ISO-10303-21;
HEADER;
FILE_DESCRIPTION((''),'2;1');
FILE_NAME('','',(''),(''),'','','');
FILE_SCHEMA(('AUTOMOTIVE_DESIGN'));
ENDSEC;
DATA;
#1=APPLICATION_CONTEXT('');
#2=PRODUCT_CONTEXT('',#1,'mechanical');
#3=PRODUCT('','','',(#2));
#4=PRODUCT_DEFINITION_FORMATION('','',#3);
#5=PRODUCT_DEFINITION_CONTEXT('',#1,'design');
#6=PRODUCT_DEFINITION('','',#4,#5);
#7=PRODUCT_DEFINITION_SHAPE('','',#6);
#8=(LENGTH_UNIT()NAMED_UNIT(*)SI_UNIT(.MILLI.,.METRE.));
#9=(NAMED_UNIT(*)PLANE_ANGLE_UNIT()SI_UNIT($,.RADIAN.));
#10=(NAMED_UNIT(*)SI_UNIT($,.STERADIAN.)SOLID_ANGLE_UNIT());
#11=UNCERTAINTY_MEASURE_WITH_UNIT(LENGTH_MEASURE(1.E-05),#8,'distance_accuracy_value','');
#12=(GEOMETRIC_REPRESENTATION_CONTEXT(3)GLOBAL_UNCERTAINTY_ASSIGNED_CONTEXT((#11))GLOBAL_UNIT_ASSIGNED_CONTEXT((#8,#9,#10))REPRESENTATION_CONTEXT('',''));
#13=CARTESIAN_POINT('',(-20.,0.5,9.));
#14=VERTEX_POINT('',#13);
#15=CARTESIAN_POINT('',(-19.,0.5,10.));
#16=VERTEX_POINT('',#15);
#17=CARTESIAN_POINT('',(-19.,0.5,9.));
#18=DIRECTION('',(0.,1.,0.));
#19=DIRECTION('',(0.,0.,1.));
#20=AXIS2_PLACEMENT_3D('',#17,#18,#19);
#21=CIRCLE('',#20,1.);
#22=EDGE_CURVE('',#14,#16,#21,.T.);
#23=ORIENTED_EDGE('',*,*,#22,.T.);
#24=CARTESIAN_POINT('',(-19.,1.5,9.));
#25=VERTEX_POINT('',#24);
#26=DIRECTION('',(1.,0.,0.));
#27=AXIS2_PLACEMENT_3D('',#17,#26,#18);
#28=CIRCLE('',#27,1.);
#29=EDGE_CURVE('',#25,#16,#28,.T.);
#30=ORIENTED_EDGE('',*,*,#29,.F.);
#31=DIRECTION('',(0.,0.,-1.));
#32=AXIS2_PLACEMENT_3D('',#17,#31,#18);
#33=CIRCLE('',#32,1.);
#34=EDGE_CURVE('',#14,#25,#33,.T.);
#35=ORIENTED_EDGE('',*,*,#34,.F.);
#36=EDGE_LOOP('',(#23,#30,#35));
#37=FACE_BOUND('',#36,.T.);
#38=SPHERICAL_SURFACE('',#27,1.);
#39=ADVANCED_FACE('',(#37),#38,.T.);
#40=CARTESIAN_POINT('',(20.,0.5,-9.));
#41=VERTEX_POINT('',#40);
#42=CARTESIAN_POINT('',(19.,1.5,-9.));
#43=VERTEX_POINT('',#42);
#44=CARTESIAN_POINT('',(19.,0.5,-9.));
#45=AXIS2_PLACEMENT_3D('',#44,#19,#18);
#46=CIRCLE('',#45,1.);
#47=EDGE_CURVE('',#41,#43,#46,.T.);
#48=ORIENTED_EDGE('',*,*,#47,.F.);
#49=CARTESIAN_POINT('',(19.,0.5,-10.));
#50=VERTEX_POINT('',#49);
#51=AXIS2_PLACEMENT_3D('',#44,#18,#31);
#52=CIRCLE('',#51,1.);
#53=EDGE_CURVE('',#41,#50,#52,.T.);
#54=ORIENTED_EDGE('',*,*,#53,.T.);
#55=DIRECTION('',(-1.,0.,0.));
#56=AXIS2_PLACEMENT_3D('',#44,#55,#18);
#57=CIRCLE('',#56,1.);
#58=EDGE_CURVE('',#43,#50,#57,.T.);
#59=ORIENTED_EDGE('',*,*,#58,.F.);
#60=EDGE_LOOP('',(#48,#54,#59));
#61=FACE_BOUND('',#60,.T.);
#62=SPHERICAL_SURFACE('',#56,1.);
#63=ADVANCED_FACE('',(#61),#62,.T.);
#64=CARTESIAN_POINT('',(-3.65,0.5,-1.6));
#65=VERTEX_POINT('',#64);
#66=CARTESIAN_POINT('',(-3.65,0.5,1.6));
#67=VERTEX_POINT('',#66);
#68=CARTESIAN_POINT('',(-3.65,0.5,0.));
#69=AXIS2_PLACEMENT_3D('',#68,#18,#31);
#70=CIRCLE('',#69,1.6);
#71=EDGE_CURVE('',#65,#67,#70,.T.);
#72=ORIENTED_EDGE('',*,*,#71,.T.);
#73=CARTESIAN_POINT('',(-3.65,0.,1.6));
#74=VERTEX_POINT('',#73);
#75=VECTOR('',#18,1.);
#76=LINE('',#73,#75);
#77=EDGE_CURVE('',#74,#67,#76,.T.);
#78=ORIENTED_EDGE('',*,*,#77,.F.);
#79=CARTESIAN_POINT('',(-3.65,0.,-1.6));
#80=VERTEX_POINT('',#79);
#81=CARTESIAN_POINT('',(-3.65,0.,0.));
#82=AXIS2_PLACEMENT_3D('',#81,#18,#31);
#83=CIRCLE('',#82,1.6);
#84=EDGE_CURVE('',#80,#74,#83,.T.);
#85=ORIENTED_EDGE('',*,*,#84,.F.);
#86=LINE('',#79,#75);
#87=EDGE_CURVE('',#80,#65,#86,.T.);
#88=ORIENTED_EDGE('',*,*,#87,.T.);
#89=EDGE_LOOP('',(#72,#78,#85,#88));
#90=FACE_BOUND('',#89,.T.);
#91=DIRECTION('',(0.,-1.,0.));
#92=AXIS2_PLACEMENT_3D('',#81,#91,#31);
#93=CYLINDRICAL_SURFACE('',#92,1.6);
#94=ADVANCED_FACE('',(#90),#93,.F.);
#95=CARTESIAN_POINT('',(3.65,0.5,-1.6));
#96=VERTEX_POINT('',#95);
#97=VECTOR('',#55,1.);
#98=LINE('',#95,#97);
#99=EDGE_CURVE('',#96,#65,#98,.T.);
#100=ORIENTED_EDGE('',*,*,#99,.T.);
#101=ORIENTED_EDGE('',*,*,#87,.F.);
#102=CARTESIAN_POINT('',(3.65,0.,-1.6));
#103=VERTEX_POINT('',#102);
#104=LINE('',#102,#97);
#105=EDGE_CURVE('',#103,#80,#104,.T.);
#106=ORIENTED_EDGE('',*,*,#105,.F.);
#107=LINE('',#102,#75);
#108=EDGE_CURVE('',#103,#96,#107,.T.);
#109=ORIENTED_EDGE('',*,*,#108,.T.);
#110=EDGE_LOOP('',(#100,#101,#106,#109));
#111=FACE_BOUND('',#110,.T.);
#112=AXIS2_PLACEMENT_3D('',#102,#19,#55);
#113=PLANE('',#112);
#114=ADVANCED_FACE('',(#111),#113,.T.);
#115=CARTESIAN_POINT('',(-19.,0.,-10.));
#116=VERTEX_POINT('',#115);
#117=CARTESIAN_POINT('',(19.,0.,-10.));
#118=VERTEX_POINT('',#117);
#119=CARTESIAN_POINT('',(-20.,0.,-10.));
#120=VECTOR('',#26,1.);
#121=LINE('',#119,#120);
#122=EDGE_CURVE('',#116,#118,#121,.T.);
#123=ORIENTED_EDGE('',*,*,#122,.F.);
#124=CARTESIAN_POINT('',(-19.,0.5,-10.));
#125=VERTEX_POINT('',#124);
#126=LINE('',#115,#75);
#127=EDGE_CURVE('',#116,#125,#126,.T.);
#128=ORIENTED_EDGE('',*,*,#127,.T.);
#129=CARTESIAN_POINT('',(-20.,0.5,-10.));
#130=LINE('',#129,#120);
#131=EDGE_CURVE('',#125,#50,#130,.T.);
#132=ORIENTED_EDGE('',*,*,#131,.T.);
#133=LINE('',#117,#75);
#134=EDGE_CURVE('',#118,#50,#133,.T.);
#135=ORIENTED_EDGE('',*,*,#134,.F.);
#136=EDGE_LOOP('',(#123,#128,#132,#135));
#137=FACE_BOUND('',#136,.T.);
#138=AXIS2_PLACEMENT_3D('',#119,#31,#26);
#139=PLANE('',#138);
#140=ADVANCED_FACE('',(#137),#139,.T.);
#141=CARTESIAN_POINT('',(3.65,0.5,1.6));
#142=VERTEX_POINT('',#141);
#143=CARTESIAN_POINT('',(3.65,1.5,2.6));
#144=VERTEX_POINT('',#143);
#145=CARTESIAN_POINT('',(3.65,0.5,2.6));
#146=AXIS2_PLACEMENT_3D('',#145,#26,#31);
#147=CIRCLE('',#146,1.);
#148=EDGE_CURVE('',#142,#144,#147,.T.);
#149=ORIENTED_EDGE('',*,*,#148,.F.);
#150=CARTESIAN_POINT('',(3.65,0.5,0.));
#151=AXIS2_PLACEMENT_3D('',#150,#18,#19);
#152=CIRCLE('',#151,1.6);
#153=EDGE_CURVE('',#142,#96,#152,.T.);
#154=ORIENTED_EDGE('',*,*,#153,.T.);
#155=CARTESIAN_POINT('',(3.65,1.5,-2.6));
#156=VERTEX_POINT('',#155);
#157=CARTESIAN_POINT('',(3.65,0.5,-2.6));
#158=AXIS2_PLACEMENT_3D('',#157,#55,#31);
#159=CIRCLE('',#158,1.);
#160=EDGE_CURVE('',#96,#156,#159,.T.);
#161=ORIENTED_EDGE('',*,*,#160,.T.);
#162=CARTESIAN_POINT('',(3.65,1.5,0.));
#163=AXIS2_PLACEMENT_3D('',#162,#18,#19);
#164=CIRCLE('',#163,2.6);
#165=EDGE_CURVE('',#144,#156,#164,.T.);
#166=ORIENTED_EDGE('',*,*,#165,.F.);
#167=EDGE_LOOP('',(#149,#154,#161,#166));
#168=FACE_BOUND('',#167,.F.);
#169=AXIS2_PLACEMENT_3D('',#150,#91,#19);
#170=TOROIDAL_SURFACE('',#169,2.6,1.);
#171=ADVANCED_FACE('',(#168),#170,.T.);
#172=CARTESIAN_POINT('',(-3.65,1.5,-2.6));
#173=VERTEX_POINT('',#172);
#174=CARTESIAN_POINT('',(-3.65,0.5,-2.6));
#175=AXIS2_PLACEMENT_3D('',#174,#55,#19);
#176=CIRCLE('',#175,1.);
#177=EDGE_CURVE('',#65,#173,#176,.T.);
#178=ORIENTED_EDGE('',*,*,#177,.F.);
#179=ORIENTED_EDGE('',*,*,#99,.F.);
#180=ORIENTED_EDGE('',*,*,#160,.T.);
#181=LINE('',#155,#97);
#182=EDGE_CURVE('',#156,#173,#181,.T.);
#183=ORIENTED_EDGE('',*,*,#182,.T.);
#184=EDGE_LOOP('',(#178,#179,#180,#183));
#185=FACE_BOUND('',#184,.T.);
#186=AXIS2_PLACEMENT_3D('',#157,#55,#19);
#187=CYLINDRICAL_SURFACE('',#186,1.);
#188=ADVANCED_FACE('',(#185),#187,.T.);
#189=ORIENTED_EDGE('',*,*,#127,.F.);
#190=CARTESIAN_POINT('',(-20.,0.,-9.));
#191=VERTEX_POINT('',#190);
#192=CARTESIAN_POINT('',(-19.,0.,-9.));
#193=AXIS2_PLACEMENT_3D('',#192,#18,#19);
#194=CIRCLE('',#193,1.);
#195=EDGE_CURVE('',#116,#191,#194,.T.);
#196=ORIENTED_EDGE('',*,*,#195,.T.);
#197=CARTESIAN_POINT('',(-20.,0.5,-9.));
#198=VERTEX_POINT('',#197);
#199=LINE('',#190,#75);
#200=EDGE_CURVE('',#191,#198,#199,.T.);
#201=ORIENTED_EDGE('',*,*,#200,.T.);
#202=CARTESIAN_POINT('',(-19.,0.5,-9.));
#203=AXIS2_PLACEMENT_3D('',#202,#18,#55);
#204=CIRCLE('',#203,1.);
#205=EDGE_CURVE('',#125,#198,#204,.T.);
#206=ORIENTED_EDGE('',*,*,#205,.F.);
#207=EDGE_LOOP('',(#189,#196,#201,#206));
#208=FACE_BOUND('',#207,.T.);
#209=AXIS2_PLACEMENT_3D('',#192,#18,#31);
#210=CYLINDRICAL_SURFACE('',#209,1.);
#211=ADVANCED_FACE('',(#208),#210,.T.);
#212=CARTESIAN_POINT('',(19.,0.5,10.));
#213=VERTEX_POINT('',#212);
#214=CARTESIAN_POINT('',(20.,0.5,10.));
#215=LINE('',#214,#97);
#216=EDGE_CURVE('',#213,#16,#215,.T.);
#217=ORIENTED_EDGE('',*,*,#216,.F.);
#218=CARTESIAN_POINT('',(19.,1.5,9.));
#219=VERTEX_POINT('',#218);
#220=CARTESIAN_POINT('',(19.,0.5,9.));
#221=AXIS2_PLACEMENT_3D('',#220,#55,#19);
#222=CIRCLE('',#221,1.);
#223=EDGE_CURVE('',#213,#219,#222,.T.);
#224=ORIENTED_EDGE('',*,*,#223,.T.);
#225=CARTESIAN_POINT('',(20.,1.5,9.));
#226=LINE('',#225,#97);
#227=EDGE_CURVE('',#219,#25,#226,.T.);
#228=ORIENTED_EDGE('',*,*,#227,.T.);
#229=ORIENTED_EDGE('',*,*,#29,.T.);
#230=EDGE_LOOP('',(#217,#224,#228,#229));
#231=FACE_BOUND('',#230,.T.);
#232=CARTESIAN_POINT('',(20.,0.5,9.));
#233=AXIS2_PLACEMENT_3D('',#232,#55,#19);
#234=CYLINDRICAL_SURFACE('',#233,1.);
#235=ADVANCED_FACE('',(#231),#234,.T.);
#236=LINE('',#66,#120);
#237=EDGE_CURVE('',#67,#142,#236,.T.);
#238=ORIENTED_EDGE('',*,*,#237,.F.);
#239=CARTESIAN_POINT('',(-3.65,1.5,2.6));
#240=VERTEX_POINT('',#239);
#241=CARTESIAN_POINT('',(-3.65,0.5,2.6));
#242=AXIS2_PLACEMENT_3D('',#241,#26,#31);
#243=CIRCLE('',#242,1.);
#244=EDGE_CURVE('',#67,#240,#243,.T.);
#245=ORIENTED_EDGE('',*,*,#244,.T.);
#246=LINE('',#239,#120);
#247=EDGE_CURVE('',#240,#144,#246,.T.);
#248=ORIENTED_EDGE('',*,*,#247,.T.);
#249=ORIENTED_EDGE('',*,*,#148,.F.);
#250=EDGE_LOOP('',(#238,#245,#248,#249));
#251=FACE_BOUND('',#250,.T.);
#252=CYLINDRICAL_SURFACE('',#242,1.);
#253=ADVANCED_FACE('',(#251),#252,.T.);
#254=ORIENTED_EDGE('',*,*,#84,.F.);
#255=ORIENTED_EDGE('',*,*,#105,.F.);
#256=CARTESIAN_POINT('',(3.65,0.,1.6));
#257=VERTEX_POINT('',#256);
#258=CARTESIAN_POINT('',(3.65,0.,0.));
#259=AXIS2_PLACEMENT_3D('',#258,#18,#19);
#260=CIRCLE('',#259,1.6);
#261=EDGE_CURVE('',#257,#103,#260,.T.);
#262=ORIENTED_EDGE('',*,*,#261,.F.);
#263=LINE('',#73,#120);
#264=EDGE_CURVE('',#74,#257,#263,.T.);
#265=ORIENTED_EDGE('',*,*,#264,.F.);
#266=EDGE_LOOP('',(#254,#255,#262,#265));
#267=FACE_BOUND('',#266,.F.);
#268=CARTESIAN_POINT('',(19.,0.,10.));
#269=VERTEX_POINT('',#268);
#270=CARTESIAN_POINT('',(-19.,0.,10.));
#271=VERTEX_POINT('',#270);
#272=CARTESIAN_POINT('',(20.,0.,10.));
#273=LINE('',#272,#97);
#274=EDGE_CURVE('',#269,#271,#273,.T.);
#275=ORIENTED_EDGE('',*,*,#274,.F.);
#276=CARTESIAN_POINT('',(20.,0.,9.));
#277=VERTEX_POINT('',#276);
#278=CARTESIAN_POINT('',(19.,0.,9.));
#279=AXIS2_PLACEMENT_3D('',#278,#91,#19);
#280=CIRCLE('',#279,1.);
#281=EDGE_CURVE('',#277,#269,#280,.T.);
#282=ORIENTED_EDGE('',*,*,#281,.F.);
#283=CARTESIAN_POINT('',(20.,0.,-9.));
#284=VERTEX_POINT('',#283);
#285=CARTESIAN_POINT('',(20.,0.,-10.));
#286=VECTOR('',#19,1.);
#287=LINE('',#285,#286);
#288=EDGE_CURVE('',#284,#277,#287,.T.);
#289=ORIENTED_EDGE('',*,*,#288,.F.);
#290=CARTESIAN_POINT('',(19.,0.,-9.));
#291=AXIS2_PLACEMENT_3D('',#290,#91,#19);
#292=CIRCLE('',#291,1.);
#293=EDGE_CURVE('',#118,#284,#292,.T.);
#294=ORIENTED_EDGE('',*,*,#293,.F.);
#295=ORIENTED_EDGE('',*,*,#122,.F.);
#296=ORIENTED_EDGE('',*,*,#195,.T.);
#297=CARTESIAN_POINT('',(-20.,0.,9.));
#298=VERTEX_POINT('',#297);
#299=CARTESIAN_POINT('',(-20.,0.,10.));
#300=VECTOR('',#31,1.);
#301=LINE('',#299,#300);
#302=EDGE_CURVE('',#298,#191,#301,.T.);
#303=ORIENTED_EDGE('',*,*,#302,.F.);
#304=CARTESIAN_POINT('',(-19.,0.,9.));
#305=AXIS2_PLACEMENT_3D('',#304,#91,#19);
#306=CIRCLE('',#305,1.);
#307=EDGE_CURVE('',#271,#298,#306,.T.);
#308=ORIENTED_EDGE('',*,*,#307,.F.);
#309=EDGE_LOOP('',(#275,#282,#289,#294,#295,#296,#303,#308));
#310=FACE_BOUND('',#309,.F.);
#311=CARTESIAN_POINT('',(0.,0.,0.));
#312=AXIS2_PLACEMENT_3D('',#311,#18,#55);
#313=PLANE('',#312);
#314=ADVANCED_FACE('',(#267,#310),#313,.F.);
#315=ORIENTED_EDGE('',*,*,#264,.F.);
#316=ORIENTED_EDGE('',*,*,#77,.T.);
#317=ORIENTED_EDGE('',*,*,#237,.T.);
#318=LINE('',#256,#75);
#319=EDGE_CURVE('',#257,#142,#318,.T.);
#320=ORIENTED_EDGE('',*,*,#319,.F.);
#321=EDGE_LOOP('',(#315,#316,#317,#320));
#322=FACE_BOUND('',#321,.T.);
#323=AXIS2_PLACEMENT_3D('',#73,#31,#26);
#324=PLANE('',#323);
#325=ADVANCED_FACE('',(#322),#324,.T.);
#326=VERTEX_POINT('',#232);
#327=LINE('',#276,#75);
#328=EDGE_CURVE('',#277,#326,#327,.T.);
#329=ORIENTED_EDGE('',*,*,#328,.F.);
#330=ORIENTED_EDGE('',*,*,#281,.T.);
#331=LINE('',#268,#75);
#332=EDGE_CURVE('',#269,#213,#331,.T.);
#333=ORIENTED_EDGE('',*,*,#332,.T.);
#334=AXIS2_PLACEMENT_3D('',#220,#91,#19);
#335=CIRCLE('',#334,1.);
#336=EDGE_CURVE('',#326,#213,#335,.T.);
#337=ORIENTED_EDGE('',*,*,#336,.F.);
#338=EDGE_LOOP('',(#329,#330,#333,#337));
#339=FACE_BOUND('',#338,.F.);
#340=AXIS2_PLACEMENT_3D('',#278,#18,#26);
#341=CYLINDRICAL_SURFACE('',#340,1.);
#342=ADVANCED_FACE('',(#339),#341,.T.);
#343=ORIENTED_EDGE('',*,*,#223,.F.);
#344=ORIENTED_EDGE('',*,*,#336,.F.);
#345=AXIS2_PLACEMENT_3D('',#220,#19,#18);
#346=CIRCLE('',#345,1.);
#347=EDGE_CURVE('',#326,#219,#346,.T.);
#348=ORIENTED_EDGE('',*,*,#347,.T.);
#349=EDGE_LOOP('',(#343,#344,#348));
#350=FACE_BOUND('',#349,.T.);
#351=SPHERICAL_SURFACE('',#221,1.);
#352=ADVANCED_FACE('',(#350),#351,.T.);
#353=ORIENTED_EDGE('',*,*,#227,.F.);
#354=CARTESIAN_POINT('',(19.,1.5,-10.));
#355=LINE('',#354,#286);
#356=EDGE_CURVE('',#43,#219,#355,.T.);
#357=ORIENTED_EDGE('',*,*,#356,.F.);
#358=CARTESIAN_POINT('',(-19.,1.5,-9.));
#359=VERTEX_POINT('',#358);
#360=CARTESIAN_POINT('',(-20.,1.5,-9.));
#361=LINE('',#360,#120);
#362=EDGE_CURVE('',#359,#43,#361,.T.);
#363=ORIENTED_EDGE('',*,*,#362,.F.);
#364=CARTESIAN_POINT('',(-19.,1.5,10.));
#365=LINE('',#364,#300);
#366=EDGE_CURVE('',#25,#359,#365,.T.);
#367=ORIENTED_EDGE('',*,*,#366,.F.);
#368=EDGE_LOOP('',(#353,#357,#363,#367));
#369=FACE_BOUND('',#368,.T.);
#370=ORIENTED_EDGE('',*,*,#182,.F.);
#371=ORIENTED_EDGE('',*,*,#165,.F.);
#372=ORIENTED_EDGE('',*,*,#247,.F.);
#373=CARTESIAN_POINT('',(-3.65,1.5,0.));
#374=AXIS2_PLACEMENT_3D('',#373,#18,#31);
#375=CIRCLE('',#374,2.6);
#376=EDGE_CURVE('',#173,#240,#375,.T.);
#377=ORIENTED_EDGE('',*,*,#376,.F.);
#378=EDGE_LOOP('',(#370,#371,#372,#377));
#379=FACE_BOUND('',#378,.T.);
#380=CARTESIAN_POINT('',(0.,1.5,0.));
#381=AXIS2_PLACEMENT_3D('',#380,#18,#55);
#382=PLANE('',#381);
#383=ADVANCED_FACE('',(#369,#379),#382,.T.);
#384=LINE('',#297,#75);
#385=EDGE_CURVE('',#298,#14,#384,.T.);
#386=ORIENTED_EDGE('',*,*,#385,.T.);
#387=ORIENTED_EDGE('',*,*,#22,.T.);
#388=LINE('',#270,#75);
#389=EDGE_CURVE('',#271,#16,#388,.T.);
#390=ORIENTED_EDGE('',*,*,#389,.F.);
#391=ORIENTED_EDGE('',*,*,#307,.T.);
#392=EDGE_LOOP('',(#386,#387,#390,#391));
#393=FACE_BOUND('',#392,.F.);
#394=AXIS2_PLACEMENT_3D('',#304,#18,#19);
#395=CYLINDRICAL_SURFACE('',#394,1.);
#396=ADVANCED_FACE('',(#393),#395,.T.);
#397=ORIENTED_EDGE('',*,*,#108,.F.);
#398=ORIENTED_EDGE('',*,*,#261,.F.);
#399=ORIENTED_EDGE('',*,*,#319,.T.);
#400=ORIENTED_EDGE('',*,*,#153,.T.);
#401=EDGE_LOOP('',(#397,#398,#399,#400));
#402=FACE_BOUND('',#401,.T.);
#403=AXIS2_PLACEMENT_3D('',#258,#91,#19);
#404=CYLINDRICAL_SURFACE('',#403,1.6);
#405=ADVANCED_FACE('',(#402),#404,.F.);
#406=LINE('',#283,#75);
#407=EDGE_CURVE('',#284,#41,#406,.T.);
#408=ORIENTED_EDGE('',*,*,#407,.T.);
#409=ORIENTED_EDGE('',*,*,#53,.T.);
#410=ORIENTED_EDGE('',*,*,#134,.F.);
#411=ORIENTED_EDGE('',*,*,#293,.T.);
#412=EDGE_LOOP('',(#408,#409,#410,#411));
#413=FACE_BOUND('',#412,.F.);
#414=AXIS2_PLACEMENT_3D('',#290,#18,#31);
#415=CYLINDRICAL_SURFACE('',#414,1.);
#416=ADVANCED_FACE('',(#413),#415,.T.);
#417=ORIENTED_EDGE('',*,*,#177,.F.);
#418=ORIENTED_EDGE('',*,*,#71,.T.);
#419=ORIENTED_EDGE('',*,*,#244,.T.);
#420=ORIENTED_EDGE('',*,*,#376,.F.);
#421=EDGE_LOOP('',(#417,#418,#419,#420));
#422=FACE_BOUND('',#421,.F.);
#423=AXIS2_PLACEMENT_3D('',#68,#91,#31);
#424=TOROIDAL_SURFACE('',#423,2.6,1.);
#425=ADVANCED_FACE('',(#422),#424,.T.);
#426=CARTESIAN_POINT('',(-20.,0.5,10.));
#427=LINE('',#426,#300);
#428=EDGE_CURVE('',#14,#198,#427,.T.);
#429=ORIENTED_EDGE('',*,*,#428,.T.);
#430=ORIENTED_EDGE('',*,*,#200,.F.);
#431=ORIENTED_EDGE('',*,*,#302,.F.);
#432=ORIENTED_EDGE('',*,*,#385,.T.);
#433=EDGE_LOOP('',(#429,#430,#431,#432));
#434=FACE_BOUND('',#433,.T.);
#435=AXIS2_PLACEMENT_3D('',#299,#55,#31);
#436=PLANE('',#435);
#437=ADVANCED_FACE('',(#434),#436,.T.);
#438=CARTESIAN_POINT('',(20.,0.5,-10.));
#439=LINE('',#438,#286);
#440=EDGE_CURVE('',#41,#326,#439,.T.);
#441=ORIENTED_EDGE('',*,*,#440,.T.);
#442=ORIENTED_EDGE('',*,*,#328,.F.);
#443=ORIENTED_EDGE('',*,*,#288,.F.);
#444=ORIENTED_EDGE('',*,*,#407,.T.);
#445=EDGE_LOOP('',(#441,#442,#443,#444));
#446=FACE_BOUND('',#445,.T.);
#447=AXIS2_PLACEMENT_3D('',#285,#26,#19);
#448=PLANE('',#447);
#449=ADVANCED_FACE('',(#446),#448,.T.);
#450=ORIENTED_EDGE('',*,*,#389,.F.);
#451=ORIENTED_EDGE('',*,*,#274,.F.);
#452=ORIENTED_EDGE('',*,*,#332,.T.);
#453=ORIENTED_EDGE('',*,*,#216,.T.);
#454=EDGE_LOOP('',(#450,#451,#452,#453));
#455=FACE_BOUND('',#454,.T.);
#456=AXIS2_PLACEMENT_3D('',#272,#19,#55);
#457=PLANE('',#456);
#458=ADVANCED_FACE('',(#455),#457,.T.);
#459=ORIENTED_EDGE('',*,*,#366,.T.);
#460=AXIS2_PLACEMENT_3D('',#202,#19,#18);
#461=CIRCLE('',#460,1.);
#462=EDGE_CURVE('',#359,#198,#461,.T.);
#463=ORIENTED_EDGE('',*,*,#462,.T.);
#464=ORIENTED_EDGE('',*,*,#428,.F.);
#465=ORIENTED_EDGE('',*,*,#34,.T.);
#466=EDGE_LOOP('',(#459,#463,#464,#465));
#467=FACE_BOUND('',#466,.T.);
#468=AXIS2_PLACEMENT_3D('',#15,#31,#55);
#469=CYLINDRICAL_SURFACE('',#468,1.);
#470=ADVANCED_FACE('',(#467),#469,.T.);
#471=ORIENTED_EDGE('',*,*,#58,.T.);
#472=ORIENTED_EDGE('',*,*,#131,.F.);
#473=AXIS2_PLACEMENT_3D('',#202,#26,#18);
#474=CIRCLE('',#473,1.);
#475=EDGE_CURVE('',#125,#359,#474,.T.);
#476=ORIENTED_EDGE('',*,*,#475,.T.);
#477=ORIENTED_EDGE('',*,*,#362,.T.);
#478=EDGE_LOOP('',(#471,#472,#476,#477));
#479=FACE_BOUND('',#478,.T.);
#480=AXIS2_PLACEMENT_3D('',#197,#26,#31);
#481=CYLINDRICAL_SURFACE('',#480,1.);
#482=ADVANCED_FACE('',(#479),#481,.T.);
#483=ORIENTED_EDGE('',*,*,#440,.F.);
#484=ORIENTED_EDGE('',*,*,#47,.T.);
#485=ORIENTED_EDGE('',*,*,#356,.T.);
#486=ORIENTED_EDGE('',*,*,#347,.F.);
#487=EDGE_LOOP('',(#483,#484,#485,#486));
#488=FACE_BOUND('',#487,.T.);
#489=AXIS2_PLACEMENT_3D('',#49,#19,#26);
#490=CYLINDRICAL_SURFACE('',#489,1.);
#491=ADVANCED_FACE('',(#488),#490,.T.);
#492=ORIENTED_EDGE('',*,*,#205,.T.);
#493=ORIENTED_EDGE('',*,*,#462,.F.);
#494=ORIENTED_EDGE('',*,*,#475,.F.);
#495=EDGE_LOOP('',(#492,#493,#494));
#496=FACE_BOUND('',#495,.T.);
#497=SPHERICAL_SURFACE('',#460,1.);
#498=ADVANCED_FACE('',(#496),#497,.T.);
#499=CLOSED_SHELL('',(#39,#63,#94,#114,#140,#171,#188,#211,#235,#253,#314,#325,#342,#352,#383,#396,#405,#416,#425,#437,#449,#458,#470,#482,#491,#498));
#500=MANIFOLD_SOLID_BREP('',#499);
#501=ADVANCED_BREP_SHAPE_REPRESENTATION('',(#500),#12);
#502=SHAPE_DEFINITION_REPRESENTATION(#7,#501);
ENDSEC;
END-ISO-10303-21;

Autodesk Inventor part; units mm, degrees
ref_plane "YZ Plane" through (0, 0, 0) normal (1, 0, 0) x (0, 1, 0)
ref_plane "XZ Plane" through (0, 0, 0) normal (0, 1, 0) x (-1, 0, 0)
ref_plane "XY Plane" through (0, 0, 0) normal (0, 0, 1) x (1, 0, 0)
sketch "Skizze1" plane through (0, 0, 0) normal (0, 1, 0) x (-1, 0, 0)
  line L0 (3.65, 0) -> (-3.65, 0) construction
  line L1 (3.65, 1.6) -> (-3.65, 1.6)
  line L2 (-3.65, -1.6) -> (3.65, -1.6)
  arc A0 (3.65, -1.6) -> (3.65, 1.6) centre (3.65, 0) ccw
  arc A1 (-3.65, 1.6) -> (-3.65, -1.6) centre (-3.65, 0) ccw
  line L3 (20, -10) -> (-20, -10)
  line L4 (-20, -10) -> (-20, 10)
  line L5 (-20, 10) -> (20, 10)
  line L6 (20, 10) -> (20, -10)
  line L7 (20, -10) -> (-20, 10) construction
  line L8 (-20, -10) -> (20, 10) construction
  point P0 (0, 0)
  point P1 (0, 0)
  point P2 (0, 1.6)
  dimension "d1" = 3.2
  dimension "d2" = 10.5
  dimension "d3" = 40
  dimension "d4" = 20
extrude "Extrusion1" add sketch "Skizze1" along normal blind 1.5
fillet "Rundung1" radius 1 12 edges at (0, 1.5, 1.6) (-5.25, 1.5, 0) (0, 1.5, -1.6) (5.25, 1.5, 0) (0, 1.5, 10) (-20, 1.5, 0) (-20, 0.75, 10) (0, 1.5, -10) (-20, 0.75, -10) (20, 0.75, 10) (20, 1.5, 0) (20, 0.75, -10)
properties part number "USB-C_Blende"
